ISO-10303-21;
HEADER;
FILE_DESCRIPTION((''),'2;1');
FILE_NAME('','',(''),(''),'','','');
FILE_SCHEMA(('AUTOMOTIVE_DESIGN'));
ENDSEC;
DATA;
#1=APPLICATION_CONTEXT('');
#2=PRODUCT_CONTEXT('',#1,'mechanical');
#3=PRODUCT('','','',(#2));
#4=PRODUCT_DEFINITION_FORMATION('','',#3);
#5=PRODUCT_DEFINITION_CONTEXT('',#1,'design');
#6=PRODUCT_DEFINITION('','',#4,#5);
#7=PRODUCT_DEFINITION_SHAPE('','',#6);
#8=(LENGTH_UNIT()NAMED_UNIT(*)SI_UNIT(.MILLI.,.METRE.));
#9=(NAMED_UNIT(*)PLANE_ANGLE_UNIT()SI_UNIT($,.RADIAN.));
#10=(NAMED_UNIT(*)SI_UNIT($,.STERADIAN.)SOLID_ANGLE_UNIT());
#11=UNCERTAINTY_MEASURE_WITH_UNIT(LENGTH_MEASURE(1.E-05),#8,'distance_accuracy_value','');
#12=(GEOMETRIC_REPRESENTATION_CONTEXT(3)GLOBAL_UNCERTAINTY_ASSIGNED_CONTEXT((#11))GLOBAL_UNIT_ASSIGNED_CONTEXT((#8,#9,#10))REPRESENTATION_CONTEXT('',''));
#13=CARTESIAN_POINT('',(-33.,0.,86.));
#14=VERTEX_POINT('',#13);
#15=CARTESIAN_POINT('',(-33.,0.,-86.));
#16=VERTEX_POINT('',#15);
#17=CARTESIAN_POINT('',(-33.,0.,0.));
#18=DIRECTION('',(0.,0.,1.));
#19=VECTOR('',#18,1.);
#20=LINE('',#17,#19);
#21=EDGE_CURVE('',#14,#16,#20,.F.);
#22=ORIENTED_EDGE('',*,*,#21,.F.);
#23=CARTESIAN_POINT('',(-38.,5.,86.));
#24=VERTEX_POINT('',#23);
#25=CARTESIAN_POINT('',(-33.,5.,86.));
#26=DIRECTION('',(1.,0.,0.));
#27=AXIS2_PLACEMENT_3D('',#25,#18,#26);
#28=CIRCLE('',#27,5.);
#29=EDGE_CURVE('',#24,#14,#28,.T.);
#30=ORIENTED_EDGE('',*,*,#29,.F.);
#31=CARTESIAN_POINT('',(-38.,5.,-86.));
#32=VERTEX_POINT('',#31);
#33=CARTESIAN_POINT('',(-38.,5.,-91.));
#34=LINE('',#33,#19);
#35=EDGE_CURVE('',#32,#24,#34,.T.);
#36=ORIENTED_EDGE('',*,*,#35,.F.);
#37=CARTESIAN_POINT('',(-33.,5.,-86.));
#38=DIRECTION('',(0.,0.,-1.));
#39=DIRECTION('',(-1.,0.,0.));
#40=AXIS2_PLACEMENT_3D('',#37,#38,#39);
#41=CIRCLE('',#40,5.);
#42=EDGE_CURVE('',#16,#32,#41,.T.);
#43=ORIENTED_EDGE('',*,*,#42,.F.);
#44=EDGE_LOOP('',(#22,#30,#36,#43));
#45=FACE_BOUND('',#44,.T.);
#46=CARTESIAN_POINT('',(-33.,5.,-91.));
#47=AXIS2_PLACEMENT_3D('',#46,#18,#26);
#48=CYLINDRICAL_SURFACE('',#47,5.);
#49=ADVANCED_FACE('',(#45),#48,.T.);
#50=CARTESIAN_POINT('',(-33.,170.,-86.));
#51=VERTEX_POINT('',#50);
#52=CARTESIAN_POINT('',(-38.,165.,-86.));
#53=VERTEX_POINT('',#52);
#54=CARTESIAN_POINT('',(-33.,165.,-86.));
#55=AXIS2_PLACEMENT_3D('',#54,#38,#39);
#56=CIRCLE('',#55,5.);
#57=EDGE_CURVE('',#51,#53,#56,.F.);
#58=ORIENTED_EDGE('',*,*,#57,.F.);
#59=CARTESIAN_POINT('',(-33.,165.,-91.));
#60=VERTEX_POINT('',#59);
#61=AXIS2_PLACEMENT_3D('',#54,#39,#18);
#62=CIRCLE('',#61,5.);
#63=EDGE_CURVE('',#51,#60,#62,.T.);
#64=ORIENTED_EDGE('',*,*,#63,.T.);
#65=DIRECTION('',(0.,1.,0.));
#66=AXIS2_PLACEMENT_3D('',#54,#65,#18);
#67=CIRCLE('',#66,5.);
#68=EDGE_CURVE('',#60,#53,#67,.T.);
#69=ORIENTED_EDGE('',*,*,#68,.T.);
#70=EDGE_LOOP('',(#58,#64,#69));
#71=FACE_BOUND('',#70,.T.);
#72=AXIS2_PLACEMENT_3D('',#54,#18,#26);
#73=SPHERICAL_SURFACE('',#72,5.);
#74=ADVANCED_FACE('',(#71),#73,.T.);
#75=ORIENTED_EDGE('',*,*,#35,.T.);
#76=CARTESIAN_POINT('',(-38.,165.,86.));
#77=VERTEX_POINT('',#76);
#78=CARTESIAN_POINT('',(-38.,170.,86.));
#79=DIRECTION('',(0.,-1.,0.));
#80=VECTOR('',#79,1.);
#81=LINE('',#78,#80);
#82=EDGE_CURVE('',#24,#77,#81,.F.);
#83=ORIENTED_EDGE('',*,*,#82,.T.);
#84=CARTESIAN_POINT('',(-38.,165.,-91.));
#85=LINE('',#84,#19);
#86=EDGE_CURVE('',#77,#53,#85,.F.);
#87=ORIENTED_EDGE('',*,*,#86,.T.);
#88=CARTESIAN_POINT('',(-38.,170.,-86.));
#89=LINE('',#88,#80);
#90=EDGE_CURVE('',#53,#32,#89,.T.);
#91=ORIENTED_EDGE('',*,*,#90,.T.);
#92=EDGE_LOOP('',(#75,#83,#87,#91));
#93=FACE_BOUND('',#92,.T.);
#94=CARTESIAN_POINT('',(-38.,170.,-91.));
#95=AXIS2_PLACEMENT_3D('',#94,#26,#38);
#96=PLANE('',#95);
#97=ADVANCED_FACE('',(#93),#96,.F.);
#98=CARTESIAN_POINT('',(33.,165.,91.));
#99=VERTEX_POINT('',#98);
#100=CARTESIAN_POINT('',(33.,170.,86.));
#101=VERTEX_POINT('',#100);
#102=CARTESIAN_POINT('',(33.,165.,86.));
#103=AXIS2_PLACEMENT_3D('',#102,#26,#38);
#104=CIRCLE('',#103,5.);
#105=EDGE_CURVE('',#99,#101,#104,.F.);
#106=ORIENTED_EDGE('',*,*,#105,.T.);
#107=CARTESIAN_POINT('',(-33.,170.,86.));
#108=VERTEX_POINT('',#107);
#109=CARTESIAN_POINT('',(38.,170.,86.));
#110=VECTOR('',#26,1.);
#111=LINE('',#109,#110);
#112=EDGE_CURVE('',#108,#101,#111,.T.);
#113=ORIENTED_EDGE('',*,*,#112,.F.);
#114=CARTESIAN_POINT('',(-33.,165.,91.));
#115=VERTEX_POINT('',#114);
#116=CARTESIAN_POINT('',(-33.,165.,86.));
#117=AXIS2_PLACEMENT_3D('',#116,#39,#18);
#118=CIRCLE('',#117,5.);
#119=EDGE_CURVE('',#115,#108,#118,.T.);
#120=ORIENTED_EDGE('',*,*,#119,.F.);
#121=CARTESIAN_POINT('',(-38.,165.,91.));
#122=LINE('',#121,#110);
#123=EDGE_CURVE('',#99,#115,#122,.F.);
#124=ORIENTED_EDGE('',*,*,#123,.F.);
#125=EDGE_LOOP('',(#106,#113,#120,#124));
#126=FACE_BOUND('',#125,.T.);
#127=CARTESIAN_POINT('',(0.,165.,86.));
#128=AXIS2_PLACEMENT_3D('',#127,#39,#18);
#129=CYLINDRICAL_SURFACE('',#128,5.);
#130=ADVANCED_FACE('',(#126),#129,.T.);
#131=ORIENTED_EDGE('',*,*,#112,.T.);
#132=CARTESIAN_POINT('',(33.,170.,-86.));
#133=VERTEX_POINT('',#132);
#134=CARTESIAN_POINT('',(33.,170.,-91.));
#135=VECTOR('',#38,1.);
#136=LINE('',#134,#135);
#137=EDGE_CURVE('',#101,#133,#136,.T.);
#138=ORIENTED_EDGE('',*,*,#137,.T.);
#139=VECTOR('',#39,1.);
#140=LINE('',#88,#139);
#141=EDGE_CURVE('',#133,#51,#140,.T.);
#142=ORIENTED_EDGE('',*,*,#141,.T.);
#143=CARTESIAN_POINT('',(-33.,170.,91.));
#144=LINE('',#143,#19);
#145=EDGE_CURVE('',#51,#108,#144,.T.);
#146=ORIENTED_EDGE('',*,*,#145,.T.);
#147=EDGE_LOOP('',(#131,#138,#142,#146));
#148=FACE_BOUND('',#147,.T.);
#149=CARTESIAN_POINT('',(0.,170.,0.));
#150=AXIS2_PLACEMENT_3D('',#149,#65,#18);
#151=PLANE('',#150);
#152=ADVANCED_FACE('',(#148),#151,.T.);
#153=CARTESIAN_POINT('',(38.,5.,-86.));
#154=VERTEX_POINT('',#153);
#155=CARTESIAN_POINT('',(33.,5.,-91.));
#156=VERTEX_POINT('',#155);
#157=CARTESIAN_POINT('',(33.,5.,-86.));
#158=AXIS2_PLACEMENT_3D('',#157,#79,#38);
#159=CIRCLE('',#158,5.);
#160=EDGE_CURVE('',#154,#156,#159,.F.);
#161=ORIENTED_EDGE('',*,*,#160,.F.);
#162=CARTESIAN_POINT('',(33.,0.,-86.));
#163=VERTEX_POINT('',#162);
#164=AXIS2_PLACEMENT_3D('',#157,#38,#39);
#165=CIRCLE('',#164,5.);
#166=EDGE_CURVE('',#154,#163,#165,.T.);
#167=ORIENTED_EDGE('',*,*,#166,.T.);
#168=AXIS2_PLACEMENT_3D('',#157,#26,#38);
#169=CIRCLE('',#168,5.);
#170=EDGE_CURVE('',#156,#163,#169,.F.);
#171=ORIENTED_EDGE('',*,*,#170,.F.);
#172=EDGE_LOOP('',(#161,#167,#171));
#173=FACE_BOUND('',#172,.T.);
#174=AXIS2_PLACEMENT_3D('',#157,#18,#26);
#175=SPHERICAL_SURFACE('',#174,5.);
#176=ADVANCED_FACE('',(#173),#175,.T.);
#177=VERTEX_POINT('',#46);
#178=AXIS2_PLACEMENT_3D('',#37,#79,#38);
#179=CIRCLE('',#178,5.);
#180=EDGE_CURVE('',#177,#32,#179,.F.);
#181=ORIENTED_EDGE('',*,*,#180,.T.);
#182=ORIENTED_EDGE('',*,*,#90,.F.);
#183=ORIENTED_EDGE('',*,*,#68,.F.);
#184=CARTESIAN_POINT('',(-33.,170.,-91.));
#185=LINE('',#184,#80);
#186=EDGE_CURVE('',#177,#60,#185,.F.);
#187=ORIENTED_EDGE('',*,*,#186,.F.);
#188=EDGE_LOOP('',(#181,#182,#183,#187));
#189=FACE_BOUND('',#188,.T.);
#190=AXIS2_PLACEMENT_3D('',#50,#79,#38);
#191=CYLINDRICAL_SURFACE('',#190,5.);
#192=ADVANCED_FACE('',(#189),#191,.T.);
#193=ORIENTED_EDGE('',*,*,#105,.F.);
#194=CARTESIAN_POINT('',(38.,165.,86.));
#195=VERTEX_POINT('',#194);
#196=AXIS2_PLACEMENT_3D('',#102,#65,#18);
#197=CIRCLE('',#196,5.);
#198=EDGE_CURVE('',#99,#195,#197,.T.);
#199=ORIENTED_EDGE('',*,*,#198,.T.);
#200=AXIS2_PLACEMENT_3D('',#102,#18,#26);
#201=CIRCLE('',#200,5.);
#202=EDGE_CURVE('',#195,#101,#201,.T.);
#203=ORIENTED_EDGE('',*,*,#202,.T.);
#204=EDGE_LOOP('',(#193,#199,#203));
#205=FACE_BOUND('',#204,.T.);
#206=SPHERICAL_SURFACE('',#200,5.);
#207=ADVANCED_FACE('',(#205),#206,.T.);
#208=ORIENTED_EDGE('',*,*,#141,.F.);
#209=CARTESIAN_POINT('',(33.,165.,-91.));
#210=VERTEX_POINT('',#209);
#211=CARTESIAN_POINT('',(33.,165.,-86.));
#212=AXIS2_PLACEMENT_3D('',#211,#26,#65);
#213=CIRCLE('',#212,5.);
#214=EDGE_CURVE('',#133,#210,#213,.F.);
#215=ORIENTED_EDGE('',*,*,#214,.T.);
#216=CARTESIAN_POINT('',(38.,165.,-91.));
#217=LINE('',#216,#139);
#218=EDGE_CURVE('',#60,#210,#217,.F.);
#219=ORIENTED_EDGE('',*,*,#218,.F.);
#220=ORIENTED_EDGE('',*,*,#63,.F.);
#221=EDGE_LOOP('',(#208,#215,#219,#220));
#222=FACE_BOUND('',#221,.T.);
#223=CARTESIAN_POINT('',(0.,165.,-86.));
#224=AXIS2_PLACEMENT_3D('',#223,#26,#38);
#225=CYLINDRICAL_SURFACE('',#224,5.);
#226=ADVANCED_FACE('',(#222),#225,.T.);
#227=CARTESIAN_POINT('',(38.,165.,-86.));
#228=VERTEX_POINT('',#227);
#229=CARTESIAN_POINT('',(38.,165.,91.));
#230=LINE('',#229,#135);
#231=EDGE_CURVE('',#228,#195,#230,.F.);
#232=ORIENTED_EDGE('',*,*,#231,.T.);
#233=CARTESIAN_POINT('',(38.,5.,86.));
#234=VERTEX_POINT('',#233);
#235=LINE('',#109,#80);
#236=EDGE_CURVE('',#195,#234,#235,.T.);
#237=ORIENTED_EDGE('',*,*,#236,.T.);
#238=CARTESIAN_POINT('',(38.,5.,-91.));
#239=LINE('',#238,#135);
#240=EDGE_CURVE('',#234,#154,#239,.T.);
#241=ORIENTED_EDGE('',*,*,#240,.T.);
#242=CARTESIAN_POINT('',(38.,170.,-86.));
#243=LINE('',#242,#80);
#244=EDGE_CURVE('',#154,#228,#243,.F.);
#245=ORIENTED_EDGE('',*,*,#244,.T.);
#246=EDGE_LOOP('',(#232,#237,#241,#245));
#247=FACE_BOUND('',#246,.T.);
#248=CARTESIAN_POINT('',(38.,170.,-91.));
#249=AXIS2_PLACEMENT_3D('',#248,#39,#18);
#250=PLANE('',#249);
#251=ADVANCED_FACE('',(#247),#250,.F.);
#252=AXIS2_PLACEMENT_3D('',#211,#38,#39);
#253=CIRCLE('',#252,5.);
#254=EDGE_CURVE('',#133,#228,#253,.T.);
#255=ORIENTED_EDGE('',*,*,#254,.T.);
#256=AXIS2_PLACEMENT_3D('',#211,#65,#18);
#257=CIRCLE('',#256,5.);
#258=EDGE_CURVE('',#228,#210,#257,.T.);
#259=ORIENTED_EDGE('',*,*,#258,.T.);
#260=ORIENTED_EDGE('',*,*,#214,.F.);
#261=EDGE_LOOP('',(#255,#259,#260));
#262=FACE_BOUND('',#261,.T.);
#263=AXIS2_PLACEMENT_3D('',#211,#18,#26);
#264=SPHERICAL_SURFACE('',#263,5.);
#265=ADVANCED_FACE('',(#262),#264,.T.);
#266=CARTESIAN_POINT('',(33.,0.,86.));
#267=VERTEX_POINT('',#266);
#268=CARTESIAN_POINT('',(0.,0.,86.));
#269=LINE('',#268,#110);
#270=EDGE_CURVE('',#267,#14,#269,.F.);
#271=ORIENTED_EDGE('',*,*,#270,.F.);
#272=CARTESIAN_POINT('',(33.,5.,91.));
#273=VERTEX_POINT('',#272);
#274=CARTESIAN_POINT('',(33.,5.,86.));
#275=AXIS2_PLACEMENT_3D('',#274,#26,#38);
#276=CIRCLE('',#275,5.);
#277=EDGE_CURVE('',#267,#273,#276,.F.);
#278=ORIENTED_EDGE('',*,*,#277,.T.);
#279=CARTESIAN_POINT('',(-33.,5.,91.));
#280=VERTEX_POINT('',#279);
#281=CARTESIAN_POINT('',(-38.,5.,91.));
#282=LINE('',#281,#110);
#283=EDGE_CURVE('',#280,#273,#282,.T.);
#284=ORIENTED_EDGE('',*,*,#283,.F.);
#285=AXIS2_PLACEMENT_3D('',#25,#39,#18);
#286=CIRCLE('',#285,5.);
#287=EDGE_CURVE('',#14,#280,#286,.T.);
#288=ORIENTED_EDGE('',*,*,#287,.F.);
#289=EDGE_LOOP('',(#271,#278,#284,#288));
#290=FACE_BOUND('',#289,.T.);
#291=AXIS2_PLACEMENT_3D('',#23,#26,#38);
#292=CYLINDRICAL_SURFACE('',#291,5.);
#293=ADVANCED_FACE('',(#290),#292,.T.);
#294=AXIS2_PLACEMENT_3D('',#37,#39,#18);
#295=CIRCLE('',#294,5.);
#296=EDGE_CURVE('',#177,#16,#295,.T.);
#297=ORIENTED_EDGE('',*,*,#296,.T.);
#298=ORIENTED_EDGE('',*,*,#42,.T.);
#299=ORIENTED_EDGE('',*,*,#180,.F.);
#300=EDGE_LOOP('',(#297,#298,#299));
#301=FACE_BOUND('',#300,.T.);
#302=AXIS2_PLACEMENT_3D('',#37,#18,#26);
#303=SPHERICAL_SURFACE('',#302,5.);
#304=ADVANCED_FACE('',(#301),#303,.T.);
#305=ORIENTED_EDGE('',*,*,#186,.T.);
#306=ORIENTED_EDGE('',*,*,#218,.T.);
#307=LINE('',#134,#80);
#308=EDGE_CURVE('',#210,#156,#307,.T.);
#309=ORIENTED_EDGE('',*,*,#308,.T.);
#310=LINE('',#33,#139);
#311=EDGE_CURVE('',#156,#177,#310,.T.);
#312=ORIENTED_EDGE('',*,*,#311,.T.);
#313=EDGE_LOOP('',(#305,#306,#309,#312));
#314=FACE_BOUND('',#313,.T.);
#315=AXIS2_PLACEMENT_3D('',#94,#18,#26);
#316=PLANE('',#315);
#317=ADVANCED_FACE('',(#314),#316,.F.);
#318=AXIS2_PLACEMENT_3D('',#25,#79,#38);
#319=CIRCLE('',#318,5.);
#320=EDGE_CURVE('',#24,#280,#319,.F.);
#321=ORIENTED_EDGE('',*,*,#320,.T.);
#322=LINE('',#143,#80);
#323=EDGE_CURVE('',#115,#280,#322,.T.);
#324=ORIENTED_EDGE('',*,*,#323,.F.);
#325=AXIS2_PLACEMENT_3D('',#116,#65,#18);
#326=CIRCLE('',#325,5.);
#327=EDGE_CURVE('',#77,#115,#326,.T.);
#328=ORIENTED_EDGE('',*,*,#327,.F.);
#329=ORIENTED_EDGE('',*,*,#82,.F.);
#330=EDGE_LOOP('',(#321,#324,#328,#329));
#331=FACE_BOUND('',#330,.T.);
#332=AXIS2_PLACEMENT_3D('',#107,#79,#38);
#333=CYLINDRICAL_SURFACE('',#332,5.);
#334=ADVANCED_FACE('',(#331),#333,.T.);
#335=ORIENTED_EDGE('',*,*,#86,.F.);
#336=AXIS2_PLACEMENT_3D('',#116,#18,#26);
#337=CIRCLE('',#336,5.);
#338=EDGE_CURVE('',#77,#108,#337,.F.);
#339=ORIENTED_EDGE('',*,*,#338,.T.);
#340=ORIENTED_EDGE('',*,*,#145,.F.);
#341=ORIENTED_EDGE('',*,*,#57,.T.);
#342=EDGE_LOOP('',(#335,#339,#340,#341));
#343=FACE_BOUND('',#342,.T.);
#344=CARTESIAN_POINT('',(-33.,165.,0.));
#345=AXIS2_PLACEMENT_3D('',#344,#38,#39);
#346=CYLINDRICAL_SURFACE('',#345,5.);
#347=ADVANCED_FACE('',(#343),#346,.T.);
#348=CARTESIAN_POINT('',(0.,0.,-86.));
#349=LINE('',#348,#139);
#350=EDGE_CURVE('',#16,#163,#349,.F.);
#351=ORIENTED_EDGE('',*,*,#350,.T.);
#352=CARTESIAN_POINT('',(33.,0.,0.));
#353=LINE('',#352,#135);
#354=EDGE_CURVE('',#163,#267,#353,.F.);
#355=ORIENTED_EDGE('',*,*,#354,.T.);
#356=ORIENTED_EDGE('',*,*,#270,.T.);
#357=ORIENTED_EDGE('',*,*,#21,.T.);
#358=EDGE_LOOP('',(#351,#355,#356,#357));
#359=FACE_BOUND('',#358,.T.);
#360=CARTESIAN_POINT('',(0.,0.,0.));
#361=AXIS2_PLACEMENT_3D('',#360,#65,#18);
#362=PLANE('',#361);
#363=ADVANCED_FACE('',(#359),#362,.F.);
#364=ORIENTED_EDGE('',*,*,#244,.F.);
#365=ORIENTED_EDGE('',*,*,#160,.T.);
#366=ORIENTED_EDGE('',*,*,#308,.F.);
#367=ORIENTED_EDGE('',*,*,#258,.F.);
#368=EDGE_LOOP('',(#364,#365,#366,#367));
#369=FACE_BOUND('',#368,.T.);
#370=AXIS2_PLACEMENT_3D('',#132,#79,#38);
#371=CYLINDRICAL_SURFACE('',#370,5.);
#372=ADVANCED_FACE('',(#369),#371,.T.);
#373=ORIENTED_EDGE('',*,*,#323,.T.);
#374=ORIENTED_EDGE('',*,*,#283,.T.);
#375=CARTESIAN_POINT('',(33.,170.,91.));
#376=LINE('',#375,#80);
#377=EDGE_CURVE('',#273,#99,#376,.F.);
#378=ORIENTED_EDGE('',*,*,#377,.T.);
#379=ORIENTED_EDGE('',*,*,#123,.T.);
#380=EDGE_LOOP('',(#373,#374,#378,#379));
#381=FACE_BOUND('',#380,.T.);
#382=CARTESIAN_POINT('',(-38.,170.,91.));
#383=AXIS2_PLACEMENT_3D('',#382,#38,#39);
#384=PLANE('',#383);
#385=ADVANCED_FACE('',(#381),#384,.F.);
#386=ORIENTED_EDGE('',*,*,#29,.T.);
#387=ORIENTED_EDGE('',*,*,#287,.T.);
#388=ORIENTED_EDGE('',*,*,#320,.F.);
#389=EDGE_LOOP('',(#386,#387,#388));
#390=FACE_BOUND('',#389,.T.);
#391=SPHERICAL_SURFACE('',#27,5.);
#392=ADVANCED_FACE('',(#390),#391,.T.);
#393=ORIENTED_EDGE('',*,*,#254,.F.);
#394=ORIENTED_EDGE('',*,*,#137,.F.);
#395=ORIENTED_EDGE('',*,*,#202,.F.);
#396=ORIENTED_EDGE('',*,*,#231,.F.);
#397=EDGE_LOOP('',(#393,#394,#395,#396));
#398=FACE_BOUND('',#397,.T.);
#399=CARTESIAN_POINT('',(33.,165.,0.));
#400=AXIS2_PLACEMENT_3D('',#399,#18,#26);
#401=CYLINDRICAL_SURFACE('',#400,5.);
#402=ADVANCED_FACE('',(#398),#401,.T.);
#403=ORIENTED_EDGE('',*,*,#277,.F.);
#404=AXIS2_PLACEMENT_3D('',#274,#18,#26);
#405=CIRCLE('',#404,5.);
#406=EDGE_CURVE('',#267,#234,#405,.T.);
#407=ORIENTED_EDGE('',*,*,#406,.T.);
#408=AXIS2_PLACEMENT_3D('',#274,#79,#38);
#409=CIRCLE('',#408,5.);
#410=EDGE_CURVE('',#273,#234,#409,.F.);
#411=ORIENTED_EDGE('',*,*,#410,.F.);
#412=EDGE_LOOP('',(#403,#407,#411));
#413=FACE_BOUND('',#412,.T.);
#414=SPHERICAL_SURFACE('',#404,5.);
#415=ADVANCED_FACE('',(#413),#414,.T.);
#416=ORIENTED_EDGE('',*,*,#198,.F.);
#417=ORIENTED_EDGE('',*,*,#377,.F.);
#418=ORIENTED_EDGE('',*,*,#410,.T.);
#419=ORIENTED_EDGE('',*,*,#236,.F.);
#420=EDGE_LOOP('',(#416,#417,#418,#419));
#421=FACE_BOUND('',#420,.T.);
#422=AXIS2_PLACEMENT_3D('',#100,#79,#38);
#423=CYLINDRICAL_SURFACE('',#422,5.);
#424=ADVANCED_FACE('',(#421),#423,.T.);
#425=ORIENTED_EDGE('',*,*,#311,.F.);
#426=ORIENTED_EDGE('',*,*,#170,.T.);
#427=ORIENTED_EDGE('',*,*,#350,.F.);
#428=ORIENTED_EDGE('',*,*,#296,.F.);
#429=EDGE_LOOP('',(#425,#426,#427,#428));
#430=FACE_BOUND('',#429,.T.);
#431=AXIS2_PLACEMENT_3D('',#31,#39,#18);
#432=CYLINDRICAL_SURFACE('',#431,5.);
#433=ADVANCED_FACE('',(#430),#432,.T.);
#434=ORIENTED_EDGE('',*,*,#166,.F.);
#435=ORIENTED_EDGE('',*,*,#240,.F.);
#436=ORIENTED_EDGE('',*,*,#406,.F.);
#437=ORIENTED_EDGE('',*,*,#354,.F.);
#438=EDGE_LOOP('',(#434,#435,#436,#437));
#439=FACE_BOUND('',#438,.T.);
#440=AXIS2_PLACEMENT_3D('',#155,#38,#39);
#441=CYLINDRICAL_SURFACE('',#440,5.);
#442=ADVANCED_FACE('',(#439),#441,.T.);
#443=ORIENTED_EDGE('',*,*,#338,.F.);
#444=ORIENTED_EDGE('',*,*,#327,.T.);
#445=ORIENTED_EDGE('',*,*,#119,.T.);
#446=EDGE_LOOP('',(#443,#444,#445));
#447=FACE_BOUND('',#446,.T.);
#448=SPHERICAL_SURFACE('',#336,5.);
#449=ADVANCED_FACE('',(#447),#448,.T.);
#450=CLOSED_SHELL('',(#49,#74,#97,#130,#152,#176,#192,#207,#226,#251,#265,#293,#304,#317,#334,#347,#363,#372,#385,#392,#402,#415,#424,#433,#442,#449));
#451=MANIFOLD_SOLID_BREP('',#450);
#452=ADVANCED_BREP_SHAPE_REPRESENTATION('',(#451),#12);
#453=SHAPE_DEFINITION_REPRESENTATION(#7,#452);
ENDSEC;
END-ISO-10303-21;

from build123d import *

# Parameters (mm, degrees)
SKETCH_1_W      = 76
SKETCH_1_H      = 182
EXTRUDE_1_DEPTH = 170
FILLET_1_R      = 5


with BuildPart() as part:
    # Эскиз1 → Бобышка-Вытянуть1 (new body)
    with BuildSketch(Plane(origin=(0, 0, 0), x_dir=(1, 0, 0), z_dir=(0, 1, 0))):
        Rectangle(SKETCH_1_W, SKETCH_1_H)
    extrude(amount=EXTRUDE_1_DEPTH)

    # Скругление1
    fillet_1_edges = [part.edges().sort_by_distance(p)[0] for p in [
        (38, 170, 0),
        (0, 170, -91),
        (-38, 170, 0),
        (0, 0, -91),
        (38, 0, 0),
        (0, 0, 91),
        (-38, 0, 0),
        (0, 170, 91),
        (-38, 85, -91),
        (38, 85, -91),
        (38, 85, 91),
        (-38, 85, 91),
    ]]
    fillet(fillet_1_edges, radius=FILLET_1_R)


solid = part.part
